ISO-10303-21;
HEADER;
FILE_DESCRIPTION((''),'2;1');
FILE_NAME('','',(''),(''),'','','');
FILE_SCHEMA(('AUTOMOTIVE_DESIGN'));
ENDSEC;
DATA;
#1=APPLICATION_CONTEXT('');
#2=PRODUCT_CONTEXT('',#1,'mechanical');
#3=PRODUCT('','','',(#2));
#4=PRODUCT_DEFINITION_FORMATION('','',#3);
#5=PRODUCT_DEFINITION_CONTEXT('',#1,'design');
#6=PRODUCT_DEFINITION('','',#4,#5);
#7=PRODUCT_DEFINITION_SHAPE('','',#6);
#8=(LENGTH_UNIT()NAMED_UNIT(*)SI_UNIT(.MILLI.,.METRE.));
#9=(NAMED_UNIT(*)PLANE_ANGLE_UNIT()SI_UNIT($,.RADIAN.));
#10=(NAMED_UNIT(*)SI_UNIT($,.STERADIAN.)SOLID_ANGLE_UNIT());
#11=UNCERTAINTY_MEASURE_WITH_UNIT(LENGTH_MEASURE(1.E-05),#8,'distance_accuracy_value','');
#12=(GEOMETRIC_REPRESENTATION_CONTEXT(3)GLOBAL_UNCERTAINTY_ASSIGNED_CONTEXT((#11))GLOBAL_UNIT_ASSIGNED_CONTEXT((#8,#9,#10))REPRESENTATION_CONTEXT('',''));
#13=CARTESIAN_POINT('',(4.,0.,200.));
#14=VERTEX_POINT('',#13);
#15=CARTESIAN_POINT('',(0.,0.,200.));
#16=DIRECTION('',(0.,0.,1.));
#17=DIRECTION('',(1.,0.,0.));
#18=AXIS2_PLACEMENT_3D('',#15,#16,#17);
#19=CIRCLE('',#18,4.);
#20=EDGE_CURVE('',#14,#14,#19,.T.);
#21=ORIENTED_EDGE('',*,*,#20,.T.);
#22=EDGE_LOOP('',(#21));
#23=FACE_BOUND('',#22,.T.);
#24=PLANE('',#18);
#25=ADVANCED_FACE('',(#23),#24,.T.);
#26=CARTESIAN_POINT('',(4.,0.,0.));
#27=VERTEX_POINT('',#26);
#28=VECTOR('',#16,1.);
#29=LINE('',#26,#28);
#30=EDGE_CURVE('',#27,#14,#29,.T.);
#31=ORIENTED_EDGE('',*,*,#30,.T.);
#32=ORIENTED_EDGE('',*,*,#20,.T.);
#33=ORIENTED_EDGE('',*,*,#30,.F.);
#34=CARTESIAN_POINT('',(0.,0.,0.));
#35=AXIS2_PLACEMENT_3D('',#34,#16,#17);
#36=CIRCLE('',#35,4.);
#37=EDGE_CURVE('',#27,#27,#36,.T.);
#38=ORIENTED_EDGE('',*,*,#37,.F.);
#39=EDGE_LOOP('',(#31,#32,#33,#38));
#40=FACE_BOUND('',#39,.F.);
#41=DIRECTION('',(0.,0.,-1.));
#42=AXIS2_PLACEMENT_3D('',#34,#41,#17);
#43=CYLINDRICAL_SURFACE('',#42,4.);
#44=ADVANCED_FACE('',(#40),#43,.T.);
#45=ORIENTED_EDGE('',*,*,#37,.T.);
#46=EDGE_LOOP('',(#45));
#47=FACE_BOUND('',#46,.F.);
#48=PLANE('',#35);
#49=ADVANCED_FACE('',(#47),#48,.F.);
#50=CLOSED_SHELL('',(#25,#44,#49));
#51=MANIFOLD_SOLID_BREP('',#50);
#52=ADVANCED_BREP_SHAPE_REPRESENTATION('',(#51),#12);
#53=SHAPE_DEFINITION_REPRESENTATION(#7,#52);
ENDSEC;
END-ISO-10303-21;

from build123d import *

# Parameters (mm, degrees)
SKETCH_R  = 4
PAD_DEPTH = 200


with BuildPart() as part:
    # Sketch → Pad (new body)
    with BuildSketch(Plane.XY):
        Circle(SKETCH_R)
    extrude(amount=PAD_DEPTH)


solid = part.part
